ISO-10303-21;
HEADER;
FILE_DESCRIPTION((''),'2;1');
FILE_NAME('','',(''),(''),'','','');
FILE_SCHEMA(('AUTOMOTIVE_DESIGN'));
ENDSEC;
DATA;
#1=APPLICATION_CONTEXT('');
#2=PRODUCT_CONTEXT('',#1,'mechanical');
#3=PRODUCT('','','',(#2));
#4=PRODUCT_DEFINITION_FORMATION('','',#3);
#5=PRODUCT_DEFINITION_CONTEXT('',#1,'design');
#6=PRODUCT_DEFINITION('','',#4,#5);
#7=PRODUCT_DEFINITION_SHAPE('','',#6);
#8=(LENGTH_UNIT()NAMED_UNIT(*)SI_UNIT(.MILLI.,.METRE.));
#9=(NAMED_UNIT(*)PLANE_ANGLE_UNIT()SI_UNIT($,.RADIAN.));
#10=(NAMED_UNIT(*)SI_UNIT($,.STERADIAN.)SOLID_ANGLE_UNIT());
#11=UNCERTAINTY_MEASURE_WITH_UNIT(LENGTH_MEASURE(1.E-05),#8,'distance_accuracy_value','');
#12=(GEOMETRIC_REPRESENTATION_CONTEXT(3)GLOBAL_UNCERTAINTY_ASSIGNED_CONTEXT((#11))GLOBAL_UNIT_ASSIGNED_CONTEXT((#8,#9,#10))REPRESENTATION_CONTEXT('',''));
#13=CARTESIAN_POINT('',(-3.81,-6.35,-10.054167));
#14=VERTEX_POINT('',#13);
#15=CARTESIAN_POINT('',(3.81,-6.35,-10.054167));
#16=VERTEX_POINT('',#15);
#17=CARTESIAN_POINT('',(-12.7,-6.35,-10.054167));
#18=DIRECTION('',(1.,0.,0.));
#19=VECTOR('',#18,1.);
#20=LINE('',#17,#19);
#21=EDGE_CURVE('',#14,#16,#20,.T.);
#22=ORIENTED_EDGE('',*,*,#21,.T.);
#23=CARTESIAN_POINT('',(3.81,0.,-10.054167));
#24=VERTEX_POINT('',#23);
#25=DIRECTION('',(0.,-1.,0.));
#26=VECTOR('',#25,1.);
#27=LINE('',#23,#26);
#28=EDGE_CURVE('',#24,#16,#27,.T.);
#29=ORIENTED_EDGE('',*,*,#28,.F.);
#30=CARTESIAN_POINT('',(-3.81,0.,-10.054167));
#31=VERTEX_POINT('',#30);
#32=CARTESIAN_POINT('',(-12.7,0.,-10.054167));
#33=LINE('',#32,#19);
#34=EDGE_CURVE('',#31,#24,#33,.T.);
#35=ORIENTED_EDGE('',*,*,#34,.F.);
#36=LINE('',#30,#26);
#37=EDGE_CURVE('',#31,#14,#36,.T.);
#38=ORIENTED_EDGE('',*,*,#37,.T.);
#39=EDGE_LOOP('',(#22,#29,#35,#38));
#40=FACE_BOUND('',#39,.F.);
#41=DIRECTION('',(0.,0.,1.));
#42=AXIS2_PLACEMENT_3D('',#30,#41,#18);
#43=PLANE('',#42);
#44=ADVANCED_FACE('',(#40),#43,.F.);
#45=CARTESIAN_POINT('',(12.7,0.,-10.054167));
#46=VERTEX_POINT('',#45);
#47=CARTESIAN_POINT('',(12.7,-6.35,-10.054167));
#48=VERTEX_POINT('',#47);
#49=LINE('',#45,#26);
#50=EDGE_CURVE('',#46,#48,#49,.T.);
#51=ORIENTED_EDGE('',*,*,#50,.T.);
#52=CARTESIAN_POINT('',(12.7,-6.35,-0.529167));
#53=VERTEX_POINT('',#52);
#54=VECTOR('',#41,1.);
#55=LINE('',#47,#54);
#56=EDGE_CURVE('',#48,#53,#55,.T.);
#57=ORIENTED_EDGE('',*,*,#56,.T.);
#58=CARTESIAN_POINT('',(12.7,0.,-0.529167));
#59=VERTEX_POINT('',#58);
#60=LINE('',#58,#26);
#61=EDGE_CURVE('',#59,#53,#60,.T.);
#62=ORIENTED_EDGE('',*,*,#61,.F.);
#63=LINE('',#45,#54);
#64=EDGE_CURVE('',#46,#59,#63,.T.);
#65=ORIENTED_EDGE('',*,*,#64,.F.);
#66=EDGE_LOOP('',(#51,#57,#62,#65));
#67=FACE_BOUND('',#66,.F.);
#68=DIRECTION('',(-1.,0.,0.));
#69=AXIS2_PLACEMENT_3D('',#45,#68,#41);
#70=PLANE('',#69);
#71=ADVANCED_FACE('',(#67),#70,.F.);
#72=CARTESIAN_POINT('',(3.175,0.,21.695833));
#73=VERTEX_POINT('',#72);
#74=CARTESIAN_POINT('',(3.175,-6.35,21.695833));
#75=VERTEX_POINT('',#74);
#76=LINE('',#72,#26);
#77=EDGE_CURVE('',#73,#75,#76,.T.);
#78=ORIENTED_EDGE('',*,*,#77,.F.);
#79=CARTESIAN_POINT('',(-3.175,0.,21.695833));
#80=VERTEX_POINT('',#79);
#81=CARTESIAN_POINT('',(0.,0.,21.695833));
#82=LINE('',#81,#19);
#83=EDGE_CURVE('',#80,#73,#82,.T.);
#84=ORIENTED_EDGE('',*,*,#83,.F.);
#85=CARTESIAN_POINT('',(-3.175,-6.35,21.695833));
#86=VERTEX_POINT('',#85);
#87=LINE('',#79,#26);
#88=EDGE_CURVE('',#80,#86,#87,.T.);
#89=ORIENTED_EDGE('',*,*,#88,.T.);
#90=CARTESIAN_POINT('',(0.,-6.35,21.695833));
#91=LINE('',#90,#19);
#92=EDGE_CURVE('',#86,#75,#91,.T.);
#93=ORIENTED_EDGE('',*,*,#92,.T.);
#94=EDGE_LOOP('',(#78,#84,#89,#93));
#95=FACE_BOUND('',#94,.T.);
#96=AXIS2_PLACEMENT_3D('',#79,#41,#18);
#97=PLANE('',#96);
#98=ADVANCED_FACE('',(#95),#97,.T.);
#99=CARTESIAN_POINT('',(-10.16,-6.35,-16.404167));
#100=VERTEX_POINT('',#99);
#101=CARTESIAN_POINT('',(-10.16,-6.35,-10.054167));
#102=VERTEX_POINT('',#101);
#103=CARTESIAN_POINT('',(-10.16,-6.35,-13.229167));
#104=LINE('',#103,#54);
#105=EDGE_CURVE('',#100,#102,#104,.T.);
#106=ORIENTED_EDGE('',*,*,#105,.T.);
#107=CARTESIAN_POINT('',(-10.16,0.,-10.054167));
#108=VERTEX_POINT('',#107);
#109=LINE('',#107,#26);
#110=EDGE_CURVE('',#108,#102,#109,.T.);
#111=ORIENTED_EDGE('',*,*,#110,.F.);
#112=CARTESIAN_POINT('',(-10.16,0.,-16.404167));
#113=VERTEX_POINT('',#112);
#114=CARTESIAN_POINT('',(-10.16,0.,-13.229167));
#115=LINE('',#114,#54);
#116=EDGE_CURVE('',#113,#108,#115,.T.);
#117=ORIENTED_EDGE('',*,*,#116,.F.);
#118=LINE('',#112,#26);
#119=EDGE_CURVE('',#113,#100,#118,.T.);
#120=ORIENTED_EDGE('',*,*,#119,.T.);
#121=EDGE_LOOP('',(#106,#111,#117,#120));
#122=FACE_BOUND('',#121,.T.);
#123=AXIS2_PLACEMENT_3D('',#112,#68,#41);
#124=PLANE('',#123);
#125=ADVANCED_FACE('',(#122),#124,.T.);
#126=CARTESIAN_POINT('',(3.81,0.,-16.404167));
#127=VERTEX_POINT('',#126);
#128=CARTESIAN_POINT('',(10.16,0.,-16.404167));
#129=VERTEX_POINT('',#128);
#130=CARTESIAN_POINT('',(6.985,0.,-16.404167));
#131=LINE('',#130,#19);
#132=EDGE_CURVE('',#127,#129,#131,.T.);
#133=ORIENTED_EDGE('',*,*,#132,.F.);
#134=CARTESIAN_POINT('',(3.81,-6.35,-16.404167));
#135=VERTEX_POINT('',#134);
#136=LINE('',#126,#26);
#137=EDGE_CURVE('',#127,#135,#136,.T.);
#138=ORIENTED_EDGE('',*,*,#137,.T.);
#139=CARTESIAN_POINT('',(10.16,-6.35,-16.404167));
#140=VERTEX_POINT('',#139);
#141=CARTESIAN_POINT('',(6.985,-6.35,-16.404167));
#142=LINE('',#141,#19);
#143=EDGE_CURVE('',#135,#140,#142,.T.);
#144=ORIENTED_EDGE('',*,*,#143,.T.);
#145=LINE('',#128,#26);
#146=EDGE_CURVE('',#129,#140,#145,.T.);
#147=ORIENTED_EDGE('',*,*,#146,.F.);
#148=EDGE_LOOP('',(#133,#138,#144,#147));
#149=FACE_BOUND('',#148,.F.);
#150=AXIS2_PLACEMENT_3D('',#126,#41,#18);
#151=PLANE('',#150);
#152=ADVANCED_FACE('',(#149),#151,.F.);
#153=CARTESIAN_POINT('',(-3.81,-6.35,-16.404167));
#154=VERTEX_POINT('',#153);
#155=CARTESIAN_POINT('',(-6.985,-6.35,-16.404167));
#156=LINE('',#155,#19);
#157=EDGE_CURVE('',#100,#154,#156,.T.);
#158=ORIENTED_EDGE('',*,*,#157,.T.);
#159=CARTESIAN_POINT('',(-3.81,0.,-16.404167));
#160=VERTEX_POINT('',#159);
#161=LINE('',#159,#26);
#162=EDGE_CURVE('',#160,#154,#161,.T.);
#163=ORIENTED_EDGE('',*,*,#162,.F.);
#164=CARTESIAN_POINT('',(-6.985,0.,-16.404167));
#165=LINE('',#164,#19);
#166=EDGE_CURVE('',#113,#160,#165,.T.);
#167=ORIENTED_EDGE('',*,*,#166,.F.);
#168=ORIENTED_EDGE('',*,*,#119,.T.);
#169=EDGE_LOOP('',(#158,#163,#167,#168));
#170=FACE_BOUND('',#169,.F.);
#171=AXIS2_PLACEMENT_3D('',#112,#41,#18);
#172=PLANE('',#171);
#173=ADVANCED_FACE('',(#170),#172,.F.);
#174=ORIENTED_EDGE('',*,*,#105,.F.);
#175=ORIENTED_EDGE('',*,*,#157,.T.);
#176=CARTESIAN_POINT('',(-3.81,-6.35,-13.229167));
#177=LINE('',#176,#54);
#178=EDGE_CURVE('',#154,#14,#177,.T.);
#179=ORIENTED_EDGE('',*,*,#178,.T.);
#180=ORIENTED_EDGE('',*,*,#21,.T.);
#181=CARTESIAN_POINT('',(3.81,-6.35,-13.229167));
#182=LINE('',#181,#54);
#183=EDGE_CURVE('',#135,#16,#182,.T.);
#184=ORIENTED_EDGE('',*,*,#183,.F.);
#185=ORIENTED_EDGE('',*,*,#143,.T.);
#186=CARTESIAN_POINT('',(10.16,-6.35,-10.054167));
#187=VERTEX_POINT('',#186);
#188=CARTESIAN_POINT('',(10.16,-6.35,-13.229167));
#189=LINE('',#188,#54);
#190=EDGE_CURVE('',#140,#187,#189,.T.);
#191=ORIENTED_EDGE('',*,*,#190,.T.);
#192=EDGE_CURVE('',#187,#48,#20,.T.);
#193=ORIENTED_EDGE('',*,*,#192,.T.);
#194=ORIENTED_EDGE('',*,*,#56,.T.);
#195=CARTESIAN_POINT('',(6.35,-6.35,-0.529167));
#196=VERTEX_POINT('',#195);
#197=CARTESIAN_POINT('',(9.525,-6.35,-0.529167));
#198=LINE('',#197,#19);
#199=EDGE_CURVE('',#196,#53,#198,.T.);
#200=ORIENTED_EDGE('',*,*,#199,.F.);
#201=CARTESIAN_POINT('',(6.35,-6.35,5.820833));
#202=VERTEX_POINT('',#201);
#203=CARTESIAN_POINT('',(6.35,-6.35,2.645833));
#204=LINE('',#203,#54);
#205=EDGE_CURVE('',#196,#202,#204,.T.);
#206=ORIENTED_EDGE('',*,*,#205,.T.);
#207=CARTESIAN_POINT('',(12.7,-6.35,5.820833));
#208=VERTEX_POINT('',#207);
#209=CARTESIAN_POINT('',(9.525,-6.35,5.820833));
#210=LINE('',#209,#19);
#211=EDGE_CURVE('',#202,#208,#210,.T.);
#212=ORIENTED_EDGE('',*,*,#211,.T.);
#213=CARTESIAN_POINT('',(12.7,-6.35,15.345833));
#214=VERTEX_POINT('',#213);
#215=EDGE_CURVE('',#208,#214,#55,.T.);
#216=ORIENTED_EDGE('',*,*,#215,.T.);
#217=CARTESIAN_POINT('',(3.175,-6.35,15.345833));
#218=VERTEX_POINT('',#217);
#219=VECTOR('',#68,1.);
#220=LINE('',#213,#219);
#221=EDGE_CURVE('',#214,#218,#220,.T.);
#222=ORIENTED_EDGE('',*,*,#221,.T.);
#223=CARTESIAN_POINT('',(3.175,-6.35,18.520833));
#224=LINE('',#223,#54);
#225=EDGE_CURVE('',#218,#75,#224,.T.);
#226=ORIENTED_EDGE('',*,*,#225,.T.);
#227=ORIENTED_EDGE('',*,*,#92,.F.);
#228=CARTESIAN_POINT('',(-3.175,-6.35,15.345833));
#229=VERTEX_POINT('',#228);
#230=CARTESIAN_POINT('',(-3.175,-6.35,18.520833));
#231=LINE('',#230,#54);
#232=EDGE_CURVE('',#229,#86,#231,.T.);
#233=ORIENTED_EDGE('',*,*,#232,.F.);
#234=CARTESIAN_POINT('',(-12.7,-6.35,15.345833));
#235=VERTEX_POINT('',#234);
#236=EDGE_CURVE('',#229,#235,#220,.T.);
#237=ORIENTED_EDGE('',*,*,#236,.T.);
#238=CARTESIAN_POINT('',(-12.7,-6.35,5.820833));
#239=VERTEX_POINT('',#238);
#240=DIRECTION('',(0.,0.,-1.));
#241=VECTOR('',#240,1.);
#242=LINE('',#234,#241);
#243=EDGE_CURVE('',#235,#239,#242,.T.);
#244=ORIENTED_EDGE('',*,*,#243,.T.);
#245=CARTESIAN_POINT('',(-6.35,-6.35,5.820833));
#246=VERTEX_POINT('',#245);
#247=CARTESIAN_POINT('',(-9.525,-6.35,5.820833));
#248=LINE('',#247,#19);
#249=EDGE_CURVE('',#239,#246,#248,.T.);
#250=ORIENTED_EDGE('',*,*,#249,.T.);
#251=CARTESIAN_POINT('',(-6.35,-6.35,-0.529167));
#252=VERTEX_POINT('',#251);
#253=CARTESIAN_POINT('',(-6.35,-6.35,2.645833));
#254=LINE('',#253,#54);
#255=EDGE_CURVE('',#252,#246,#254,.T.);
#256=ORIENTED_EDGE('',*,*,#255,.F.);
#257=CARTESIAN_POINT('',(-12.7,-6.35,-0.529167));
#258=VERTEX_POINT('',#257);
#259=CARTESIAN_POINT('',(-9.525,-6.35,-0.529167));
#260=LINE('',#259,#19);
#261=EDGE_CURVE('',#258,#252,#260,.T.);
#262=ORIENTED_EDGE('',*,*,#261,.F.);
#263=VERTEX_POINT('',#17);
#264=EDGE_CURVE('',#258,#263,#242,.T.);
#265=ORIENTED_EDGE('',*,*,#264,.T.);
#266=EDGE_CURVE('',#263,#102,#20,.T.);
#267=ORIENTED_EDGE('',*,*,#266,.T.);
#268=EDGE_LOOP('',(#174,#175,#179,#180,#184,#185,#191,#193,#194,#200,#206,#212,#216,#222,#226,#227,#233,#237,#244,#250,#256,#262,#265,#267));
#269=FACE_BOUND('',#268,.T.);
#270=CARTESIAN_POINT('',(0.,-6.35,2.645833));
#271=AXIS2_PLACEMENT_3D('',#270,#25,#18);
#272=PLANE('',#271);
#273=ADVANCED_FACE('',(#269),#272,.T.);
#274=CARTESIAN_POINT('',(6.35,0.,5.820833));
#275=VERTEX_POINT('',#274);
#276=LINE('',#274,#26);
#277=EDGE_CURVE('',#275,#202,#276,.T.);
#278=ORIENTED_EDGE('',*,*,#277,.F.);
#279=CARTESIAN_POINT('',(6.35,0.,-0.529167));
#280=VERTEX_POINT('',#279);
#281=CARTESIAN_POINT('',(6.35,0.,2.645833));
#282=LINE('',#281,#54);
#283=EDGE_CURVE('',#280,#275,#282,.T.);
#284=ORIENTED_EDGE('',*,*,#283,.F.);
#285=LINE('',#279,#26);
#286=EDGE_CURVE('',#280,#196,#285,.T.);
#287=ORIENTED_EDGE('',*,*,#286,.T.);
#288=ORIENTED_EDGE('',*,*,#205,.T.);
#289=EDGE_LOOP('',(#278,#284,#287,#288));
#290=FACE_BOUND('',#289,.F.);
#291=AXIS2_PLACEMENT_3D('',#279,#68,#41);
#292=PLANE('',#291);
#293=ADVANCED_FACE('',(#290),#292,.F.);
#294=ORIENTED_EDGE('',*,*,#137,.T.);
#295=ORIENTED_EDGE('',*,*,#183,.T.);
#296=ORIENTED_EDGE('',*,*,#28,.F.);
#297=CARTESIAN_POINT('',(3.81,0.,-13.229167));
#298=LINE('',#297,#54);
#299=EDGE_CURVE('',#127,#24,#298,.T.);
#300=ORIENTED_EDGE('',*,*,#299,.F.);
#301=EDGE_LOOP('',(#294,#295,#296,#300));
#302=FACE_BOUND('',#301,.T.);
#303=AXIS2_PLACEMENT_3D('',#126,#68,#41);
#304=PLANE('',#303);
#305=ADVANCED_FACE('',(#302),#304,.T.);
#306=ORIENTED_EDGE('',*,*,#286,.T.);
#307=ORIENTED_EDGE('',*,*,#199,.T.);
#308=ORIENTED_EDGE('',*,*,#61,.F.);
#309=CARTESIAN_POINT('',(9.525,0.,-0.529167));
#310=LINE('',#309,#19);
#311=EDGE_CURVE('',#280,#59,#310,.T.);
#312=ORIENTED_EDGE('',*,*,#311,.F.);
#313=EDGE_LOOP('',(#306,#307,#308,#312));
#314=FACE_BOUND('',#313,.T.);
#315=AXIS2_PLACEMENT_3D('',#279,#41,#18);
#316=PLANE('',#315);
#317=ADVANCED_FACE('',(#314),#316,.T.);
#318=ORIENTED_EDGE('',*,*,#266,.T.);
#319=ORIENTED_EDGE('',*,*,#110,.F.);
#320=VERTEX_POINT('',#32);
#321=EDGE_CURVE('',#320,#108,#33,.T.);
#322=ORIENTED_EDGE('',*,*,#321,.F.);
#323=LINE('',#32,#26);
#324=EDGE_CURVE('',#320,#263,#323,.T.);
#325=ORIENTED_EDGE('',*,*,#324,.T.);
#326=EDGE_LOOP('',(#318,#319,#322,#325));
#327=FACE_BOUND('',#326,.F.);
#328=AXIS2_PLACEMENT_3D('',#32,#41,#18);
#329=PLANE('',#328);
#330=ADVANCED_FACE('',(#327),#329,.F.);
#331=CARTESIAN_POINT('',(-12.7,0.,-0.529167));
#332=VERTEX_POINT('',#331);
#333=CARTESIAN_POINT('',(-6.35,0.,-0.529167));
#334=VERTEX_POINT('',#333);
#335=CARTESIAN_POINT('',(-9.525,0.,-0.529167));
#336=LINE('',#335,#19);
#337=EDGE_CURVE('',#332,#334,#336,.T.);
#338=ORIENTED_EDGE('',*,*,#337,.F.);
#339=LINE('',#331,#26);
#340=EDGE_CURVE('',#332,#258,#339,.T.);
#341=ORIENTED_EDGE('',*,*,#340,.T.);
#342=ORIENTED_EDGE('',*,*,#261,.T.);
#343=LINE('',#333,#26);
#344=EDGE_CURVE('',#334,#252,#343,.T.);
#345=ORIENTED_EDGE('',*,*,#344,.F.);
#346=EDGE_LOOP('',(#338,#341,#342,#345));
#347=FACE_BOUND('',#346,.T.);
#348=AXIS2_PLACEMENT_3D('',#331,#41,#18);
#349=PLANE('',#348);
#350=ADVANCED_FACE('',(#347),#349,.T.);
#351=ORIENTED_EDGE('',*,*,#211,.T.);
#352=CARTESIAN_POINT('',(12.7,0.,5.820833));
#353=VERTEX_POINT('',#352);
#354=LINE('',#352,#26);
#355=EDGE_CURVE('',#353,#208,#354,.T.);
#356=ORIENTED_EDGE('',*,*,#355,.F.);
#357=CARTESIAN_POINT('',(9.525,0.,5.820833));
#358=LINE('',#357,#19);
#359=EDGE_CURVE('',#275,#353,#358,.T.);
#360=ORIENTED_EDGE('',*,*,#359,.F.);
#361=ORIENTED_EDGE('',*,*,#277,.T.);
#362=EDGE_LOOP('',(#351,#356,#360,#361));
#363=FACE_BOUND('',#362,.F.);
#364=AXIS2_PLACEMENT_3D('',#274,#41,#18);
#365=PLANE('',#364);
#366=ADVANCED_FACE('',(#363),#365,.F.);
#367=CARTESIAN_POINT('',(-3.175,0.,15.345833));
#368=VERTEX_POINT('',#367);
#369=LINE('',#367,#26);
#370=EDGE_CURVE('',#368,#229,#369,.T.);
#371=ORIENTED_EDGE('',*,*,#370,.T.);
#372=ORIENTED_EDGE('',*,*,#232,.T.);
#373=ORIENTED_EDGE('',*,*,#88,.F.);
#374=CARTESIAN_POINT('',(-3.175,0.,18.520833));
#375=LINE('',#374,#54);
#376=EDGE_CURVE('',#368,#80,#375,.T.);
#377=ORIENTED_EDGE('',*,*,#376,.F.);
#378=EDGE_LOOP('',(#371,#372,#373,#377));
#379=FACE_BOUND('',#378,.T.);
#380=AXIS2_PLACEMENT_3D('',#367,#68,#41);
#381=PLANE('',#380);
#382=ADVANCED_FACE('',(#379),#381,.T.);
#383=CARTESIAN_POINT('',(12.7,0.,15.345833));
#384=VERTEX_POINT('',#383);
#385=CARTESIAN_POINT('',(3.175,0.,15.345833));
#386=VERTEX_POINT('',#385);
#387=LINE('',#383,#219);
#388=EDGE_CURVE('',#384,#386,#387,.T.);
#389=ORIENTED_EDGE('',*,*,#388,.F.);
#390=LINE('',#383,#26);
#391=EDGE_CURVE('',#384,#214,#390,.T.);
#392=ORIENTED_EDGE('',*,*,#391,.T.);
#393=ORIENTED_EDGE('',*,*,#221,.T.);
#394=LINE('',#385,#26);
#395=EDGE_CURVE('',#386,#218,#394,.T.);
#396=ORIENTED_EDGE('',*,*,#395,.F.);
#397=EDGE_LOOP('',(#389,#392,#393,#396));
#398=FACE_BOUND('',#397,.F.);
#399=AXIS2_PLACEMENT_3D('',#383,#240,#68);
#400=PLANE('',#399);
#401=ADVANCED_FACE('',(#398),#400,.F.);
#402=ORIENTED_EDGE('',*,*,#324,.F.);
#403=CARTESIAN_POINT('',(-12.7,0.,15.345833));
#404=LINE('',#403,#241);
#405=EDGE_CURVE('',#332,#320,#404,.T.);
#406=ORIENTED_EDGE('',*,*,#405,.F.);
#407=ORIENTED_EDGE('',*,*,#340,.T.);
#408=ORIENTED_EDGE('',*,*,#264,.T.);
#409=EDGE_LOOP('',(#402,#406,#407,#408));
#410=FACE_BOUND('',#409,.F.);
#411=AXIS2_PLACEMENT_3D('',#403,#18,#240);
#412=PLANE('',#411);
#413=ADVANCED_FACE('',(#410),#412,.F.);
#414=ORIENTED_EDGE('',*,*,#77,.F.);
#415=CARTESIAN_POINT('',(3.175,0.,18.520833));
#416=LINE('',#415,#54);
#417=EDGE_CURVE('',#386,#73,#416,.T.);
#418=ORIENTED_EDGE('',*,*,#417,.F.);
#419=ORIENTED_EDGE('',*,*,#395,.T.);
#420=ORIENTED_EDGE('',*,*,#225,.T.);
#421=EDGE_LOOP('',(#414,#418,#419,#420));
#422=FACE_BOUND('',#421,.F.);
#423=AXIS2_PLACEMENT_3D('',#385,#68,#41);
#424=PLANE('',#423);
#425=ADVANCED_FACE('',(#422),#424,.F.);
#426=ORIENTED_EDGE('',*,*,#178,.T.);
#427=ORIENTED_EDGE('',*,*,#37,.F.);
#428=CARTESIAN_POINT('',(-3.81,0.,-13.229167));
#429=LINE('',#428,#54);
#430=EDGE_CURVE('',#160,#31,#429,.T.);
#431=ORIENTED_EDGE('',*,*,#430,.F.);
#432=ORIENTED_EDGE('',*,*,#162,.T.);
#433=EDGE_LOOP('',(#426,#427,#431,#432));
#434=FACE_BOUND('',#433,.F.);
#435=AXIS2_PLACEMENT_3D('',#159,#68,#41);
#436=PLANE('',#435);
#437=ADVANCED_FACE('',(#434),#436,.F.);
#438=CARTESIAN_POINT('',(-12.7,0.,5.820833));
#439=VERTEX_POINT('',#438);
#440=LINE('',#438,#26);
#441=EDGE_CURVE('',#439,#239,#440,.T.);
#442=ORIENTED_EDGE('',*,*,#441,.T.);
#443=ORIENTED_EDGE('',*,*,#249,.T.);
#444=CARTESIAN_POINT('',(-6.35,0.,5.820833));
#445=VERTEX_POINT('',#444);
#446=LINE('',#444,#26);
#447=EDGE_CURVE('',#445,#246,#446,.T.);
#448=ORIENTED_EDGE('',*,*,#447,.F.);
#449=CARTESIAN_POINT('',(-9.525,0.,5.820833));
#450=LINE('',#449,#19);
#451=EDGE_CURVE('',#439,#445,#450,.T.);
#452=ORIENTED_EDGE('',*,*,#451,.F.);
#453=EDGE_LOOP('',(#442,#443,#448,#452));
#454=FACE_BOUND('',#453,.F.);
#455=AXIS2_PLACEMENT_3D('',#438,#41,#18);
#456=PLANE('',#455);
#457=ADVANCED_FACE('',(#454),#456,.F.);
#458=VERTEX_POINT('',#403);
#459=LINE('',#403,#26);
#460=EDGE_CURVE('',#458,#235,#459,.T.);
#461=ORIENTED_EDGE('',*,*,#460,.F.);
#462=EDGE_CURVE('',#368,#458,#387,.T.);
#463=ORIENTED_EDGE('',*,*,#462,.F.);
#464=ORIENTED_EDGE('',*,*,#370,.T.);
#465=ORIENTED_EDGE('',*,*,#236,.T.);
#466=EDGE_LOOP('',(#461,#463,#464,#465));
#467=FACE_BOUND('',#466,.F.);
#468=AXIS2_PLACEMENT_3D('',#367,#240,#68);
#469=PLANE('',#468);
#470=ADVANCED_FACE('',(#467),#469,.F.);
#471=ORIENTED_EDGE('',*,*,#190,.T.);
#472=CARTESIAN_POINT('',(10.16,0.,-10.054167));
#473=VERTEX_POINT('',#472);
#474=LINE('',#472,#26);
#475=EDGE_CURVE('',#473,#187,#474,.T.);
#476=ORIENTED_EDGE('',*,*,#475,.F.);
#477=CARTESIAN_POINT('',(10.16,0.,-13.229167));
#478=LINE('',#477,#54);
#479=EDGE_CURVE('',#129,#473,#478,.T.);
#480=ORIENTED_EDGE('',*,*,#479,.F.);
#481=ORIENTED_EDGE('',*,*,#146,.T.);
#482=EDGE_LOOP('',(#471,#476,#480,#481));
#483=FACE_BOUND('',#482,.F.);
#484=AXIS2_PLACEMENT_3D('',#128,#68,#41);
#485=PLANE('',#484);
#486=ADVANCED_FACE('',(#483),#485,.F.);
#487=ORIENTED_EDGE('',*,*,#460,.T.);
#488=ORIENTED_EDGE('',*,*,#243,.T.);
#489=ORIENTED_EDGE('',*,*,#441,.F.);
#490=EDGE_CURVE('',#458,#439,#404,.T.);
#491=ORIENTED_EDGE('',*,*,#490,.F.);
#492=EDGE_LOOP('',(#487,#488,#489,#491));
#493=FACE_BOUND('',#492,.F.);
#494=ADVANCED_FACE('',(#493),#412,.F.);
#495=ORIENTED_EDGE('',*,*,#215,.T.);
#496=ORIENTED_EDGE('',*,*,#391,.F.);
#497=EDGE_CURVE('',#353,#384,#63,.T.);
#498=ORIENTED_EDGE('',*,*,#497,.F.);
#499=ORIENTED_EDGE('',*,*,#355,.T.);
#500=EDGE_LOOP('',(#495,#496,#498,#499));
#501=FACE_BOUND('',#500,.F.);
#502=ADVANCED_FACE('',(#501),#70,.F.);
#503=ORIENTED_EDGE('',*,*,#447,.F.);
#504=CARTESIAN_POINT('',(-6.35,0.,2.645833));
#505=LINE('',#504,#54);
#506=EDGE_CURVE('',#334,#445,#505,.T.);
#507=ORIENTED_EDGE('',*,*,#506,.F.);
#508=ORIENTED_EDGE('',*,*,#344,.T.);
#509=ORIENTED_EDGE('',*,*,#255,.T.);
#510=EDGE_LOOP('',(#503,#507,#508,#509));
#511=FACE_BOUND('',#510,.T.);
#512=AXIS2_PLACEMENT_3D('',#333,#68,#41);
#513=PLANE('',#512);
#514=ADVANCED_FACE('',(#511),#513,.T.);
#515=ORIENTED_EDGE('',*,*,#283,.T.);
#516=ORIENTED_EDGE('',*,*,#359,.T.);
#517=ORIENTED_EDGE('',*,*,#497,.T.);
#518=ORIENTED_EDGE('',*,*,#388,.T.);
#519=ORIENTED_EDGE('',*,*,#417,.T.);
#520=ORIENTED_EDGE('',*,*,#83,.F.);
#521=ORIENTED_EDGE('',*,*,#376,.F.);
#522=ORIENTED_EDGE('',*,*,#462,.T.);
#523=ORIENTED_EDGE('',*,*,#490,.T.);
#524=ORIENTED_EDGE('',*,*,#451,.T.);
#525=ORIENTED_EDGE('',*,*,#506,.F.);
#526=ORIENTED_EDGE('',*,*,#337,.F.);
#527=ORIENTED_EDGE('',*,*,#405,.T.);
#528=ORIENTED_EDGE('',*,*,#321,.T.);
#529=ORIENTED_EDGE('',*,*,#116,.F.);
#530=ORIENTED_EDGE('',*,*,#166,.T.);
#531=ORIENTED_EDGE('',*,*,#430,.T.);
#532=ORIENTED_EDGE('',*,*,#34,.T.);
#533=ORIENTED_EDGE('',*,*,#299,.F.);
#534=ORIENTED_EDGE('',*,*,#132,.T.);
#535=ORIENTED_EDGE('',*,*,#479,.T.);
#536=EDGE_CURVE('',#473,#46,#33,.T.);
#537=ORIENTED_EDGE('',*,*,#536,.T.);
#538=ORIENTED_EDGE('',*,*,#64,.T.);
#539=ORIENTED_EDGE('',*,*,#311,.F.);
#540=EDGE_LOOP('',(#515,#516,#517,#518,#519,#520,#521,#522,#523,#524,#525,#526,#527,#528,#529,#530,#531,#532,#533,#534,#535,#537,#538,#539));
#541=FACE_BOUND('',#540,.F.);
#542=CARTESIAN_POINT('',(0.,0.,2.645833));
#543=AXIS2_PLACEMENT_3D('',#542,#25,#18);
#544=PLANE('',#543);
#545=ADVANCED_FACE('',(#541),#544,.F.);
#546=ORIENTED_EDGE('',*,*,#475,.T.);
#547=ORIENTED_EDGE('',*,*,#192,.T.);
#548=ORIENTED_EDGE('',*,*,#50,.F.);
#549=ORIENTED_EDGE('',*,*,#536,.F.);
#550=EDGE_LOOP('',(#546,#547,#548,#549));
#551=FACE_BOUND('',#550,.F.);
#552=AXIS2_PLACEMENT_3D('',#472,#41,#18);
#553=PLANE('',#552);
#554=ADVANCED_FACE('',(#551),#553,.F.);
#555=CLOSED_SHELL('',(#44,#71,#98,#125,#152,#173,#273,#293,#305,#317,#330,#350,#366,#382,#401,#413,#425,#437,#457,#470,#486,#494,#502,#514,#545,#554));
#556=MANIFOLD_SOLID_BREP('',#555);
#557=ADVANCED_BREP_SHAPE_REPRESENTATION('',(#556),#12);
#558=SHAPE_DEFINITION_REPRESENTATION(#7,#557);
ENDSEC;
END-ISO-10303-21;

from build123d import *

# Parameters (mm, degrees)
F0_W     = 6.35
F0_H     = 6.35
F1_DEPTH = 6.35
F2_DEPTH = 6.35


with BuildPart() as f1:
    # F0 (on Front) → F1 (new body)
    with BuildSketch(Plane.XZ):
        Polygon((-3.175, 15.345833), (-12.7, 15.345833), (-12.7, 5.820833), (-6.35, 5.820833), (-6.35, -0.529167), (-12.7, -0.529167), (-12.7, -10.054167), (-10.16, -10.054167), (-3.81, -10.054167), (3.81, -10.054167), (10.16, -10.054167), (12.7, -10.054167), (12.7, -0.529167), (6.35, -0.529167), (6.35, 5.820833), (12.7, 5.820833), (12.7, 15.345833), (3.175, 15.345833), align=None)
        with Locations((0, 18.520833)):
            Rectangle(F0_W, F0_H)
        with Locations((-9.525, 2.645833)):
            Rectangle(F0_W, F0_H)
        with Locations((9.525, 2.645833)):
            Rectangle(F0_W, F0_H)
        with Locations((-6.985, -13.229167)):
            Rectangle(F0_W, F0_H)
        with Locations((6.985, -13.229167)):
            Rectangle(F0_W, F0_H)
    extrude(amount=F1_DEPTH)

    # F0 (on Front) → F2 (cut)
    with BuildSketch(Plane.XZ):
        with Locations((-9.525, 2.645833)):
            Rectangle(F0_W, F0_H)
        with Locations((9.525, 2.645833)):
            Rectangle(F0_W, F0_H)
    extrude(amount=F2_DEPTH, mode=Mode.SUBTRACT)


solid = f1.part
